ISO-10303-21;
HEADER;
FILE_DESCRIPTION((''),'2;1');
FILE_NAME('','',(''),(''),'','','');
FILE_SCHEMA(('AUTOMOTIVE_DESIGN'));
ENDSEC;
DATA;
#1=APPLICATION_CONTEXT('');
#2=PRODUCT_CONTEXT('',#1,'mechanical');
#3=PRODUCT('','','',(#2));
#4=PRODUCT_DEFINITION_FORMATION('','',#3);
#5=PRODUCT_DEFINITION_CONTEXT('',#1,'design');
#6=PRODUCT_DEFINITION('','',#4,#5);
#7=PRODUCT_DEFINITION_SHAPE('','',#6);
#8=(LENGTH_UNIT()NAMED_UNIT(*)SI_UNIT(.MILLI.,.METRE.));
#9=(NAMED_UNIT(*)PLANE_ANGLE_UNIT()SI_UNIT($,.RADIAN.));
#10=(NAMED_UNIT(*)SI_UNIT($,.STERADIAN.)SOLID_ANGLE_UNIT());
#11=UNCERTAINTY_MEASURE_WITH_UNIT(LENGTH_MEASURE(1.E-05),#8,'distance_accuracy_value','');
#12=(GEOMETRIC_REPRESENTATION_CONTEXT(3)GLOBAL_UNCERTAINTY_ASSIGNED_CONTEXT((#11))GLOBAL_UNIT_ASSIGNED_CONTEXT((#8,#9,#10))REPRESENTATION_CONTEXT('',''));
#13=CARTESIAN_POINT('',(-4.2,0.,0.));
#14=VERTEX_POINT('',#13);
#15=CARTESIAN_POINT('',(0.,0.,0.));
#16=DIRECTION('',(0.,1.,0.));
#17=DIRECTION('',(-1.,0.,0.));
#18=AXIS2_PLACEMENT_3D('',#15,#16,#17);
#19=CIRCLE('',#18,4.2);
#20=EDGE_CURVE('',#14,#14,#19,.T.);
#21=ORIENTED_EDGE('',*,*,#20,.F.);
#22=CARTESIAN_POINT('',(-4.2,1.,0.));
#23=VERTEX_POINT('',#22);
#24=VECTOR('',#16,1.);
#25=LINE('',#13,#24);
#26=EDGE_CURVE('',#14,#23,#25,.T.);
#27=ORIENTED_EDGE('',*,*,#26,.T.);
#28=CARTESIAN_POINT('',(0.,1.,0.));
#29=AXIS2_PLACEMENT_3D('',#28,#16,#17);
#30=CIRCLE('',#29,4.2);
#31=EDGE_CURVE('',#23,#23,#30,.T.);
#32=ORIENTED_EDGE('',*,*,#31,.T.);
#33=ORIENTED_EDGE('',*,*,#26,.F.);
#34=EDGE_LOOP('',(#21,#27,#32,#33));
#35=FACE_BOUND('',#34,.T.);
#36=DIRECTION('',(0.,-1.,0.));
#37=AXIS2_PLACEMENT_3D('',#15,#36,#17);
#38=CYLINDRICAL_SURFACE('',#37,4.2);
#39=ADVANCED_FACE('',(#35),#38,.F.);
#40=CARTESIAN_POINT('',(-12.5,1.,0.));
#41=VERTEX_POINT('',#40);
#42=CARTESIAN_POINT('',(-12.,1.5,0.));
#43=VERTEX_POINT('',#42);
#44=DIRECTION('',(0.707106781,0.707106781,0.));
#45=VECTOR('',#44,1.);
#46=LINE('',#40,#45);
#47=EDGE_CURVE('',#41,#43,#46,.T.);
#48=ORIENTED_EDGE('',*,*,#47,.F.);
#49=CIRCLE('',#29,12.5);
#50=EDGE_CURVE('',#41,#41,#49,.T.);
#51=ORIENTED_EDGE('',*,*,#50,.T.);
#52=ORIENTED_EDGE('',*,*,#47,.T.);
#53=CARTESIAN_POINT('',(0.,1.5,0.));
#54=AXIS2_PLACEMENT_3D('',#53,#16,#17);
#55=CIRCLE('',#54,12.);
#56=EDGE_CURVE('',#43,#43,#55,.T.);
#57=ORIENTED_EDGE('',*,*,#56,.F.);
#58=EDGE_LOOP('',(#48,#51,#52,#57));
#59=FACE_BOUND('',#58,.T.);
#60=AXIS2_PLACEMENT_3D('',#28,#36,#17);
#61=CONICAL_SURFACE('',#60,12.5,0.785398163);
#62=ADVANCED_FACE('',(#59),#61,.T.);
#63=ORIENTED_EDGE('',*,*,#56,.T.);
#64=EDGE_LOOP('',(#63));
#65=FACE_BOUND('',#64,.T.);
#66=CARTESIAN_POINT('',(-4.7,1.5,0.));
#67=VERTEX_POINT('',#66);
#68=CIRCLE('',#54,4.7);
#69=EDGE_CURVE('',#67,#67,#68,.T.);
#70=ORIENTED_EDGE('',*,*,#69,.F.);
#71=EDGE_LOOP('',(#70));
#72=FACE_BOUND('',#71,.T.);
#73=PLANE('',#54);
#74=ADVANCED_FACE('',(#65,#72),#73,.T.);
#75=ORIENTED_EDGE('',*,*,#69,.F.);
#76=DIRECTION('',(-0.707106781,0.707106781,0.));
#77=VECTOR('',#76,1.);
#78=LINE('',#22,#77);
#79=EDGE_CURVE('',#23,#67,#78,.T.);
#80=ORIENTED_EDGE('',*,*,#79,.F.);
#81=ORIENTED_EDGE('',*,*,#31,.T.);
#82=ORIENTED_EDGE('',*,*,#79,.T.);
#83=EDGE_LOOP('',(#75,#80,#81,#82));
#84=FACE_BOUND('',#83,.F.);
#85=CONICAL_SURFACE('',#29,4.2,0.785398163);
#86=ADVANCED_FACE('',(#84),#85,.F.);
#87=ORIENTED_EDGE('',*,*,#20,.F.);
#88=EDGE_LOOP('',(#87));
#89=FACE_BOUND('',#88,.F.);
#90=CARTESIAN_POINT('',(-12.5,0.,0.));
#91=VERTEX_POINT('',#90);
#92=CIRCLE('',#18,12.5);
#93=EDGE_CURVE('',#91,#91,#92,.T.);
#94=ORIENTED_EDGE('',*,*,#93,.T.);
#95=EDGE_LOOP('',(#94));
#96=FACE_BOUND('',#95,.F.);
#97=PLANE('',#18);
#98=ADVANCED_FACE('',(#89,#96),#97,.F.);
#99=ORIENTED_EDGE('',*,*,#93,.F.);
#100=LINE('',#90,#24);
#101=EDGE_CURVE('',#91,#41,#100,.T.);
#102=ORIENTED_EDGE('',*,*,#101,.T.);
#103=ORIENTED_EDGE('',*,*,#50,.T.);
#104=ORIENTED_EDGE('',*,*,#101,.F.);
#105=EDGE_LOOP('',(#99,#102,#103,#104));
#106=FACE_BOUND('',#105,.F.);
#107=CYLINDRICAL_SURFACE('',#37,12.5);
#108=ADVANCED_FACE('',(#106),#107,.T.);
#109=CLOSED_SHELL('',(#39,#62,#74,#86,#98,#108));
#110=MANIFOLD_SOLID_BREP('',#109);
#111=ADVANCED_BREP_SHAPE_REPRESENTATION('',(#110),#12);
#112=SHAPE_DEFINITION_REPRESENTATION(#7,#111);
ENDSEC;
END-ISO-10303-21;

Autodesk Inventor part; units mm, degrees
ref_plane "YZ Plane" through (0, 0, 0) normal (1, 0, 0) x (0, 1, 0)
ref_plane "XZ Plane" through (0, 0, 0) normal (0, 1, 0) x (-1, 0, 0)
ref_plane "XY Plane" through (0, 0, 0) normal (0, 0, 1) x (1, 0, 0)
sketch "Sketch1" plane through (0, 0, 0) normal (0, 1, 0) x (-1, 0, 0)
  circle A0 centre (0, 0) radius 4.2
  circle A1 centre (0, 0) radius 12.5
  dimension "d0" = 8.4
  dimension "d1" = 25
extrude "Extrusion1" add sketch "Sketch1" along normal blind 1.5
chamfer "Chamfer1" distance 0.5 angle 45 2 edges at (12.5, 1.5, 0) (4.2, 1.5, 0)
properties part number "M8 Mudguard Washer RS 660-4771"
